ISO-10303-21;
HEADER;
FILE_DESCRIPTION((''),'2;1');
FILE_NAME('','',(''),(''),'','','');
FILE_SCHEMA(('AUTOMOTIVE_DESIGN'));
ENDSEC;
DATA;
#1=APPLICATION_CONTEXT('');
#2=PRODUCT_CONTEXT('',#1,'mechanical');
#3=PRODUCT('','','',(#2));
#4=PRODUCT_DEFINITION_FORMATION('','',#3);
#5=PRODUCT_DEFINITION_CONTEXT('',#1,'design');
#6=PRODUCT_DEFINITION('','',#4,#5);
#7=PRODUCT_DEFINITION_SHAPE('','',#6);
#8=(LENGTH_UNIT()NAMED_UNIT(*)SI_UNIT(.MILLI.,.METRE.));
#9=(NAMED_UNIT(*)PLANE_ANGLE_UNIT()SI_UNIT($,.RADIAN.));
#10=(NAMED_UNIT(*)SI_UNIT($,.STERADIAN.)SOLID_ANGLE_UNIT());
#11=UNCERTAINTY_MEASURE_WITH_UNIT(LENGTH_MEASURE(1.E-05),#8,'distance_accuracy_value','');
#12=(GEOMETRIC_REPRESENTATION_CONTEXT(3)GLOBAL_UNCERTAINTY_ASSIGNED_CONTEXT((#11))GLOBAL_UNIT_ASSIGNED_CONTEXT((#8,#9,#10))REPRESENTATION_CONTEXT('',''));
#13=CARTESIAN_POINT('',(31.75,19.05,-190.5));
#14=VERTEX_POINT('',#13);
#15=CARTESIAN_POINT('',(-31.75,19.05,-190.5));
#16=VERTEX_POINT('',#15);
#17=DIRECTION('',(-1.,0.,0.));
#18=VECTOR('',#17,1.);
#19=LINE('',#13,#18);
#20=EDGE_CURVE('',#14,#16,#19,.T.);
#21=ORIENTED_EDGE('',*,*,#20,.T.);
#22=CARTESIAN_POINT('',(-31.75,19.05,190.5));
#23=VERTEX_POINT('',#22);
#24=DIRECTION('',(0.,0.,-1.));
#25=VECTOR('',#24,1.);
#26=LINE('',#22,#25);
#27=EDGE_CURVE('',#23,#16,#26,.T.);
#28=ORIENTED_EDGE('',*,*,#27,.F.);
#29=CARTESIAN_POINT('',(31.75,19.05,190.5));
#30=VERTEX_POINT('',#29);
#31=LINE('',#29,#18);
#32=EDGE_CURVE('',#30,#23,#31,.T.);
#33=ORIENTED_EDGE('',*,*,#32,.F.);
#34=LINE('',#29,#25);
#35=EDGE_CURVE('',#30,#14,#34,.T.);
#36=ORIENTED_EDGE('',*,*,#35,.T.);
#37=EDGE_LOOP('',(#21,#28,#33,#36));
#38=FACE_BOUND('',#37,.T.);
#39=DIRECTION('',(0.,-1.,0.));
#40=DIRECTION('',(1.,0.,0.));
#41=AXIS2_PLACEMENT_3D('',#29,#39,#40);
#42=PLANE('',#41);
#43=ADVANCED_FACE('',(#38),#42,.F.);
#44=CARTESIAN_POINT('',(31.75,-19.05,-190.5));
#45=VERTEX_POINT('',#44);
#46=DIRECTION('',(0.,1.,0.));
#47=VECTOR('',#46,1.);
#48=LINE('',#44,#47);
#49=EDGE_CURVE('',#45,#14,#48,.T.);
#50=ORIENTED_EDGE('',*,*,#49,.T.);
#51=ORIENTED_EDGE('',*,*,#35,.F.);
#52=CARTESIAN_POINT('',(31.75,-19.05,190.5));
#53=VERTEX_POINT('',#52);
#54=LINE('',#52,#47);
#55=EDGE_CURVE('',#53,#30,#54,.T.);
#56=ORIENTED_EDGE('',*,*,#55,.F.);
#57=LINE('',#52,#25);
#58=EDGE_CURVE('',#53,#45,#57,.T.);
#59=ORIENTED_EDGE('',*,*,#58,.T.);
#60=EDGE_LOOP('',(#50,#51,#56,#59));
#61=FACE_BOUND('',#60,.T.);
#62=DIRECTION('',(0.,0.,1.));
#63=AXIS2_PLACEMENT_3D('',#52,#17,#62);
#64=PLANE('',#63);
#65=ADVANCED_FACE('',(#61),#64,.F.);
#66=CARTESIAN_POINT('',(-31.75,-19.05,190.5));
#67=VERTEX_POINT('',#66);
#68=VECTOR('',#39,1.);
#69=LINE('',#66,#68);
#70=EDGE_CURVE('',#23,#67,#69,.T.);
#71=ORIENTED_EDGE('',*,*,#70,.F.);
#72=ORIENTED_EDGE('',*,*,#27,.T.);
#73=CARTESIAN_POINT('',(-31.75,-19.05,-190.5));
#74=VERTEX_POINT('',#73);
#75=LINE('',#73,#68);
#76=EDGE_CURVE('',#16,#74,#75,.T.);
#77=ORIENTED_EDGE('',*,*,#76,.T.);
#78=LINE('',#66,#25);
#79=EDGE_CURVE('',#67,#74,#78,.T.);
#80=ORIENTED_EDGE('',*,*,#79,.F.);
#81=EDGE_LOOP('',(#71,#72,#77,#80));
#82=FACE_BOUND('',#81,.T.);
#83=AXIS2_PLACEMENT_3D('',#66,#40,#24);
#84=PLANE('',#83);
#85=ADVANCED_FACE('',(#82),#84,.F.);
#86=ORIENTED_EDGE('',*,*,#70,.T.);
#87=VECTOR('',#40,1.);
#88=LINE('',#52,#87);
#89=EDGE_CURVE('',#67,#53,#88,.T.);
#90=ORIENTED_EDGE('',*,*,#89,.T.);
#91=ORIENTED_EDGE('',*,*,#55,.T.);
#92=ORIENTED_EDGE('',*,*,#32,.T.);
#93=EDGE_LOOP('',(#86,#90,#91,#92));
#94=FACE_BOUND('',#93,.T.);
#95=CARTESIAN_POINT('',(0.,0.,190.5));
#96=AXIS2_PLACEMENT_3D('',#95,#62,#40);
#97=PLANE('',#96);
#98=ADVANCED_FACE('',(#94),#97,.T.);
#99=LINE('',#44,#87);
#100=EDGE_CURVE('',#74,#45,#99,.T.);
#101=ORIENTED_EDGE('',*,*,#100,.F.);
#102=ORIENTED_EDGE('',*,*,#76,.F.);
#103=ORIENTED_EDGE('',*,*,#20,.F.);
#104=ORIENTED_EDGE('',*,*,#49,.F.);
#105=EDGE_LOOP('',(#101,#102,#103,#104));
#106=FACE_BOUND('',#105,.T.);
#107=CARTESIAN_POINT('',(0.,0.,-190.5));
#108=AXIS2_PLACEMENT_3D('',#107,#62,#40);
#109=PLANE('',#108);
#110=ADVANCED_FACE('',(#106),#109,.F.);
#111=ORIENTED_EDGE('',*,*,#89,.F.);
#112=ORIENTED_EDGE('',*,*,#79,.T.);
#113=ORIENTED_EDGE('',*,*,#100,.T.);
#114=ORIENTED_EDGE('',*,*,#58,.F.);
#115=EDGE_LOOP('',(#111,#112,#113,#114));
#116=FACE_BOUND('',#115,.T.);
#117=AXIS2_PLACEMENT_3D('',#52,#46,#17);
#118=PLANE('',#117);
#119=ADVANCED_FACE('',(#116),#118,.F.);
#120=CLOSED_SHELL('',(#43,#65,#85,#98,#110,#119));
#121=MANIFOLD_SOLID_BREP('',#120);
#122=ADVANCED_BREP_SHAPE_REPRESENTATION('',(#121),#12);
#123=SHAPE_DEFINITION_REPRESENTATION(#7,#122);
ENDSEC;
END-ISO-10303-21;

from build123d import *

# Parameters (mm, degrees)
SKETCH1_W           = 63.5
SKETCH1_H           = 38.1
BOSS_EXTRUDE1_DEPTH = 190.5


with BuildPart() as part:
    # Sketch1 → Boss-Extrude1 (new, symmetric)
    with BuildSketch(Plane.XY):
        Rectangle(SKETCH1_W, SKETCH1_H)
    extrude(amount=BOSS_EXTRUDE1_DEPTH, both=True)


solid = part.part
